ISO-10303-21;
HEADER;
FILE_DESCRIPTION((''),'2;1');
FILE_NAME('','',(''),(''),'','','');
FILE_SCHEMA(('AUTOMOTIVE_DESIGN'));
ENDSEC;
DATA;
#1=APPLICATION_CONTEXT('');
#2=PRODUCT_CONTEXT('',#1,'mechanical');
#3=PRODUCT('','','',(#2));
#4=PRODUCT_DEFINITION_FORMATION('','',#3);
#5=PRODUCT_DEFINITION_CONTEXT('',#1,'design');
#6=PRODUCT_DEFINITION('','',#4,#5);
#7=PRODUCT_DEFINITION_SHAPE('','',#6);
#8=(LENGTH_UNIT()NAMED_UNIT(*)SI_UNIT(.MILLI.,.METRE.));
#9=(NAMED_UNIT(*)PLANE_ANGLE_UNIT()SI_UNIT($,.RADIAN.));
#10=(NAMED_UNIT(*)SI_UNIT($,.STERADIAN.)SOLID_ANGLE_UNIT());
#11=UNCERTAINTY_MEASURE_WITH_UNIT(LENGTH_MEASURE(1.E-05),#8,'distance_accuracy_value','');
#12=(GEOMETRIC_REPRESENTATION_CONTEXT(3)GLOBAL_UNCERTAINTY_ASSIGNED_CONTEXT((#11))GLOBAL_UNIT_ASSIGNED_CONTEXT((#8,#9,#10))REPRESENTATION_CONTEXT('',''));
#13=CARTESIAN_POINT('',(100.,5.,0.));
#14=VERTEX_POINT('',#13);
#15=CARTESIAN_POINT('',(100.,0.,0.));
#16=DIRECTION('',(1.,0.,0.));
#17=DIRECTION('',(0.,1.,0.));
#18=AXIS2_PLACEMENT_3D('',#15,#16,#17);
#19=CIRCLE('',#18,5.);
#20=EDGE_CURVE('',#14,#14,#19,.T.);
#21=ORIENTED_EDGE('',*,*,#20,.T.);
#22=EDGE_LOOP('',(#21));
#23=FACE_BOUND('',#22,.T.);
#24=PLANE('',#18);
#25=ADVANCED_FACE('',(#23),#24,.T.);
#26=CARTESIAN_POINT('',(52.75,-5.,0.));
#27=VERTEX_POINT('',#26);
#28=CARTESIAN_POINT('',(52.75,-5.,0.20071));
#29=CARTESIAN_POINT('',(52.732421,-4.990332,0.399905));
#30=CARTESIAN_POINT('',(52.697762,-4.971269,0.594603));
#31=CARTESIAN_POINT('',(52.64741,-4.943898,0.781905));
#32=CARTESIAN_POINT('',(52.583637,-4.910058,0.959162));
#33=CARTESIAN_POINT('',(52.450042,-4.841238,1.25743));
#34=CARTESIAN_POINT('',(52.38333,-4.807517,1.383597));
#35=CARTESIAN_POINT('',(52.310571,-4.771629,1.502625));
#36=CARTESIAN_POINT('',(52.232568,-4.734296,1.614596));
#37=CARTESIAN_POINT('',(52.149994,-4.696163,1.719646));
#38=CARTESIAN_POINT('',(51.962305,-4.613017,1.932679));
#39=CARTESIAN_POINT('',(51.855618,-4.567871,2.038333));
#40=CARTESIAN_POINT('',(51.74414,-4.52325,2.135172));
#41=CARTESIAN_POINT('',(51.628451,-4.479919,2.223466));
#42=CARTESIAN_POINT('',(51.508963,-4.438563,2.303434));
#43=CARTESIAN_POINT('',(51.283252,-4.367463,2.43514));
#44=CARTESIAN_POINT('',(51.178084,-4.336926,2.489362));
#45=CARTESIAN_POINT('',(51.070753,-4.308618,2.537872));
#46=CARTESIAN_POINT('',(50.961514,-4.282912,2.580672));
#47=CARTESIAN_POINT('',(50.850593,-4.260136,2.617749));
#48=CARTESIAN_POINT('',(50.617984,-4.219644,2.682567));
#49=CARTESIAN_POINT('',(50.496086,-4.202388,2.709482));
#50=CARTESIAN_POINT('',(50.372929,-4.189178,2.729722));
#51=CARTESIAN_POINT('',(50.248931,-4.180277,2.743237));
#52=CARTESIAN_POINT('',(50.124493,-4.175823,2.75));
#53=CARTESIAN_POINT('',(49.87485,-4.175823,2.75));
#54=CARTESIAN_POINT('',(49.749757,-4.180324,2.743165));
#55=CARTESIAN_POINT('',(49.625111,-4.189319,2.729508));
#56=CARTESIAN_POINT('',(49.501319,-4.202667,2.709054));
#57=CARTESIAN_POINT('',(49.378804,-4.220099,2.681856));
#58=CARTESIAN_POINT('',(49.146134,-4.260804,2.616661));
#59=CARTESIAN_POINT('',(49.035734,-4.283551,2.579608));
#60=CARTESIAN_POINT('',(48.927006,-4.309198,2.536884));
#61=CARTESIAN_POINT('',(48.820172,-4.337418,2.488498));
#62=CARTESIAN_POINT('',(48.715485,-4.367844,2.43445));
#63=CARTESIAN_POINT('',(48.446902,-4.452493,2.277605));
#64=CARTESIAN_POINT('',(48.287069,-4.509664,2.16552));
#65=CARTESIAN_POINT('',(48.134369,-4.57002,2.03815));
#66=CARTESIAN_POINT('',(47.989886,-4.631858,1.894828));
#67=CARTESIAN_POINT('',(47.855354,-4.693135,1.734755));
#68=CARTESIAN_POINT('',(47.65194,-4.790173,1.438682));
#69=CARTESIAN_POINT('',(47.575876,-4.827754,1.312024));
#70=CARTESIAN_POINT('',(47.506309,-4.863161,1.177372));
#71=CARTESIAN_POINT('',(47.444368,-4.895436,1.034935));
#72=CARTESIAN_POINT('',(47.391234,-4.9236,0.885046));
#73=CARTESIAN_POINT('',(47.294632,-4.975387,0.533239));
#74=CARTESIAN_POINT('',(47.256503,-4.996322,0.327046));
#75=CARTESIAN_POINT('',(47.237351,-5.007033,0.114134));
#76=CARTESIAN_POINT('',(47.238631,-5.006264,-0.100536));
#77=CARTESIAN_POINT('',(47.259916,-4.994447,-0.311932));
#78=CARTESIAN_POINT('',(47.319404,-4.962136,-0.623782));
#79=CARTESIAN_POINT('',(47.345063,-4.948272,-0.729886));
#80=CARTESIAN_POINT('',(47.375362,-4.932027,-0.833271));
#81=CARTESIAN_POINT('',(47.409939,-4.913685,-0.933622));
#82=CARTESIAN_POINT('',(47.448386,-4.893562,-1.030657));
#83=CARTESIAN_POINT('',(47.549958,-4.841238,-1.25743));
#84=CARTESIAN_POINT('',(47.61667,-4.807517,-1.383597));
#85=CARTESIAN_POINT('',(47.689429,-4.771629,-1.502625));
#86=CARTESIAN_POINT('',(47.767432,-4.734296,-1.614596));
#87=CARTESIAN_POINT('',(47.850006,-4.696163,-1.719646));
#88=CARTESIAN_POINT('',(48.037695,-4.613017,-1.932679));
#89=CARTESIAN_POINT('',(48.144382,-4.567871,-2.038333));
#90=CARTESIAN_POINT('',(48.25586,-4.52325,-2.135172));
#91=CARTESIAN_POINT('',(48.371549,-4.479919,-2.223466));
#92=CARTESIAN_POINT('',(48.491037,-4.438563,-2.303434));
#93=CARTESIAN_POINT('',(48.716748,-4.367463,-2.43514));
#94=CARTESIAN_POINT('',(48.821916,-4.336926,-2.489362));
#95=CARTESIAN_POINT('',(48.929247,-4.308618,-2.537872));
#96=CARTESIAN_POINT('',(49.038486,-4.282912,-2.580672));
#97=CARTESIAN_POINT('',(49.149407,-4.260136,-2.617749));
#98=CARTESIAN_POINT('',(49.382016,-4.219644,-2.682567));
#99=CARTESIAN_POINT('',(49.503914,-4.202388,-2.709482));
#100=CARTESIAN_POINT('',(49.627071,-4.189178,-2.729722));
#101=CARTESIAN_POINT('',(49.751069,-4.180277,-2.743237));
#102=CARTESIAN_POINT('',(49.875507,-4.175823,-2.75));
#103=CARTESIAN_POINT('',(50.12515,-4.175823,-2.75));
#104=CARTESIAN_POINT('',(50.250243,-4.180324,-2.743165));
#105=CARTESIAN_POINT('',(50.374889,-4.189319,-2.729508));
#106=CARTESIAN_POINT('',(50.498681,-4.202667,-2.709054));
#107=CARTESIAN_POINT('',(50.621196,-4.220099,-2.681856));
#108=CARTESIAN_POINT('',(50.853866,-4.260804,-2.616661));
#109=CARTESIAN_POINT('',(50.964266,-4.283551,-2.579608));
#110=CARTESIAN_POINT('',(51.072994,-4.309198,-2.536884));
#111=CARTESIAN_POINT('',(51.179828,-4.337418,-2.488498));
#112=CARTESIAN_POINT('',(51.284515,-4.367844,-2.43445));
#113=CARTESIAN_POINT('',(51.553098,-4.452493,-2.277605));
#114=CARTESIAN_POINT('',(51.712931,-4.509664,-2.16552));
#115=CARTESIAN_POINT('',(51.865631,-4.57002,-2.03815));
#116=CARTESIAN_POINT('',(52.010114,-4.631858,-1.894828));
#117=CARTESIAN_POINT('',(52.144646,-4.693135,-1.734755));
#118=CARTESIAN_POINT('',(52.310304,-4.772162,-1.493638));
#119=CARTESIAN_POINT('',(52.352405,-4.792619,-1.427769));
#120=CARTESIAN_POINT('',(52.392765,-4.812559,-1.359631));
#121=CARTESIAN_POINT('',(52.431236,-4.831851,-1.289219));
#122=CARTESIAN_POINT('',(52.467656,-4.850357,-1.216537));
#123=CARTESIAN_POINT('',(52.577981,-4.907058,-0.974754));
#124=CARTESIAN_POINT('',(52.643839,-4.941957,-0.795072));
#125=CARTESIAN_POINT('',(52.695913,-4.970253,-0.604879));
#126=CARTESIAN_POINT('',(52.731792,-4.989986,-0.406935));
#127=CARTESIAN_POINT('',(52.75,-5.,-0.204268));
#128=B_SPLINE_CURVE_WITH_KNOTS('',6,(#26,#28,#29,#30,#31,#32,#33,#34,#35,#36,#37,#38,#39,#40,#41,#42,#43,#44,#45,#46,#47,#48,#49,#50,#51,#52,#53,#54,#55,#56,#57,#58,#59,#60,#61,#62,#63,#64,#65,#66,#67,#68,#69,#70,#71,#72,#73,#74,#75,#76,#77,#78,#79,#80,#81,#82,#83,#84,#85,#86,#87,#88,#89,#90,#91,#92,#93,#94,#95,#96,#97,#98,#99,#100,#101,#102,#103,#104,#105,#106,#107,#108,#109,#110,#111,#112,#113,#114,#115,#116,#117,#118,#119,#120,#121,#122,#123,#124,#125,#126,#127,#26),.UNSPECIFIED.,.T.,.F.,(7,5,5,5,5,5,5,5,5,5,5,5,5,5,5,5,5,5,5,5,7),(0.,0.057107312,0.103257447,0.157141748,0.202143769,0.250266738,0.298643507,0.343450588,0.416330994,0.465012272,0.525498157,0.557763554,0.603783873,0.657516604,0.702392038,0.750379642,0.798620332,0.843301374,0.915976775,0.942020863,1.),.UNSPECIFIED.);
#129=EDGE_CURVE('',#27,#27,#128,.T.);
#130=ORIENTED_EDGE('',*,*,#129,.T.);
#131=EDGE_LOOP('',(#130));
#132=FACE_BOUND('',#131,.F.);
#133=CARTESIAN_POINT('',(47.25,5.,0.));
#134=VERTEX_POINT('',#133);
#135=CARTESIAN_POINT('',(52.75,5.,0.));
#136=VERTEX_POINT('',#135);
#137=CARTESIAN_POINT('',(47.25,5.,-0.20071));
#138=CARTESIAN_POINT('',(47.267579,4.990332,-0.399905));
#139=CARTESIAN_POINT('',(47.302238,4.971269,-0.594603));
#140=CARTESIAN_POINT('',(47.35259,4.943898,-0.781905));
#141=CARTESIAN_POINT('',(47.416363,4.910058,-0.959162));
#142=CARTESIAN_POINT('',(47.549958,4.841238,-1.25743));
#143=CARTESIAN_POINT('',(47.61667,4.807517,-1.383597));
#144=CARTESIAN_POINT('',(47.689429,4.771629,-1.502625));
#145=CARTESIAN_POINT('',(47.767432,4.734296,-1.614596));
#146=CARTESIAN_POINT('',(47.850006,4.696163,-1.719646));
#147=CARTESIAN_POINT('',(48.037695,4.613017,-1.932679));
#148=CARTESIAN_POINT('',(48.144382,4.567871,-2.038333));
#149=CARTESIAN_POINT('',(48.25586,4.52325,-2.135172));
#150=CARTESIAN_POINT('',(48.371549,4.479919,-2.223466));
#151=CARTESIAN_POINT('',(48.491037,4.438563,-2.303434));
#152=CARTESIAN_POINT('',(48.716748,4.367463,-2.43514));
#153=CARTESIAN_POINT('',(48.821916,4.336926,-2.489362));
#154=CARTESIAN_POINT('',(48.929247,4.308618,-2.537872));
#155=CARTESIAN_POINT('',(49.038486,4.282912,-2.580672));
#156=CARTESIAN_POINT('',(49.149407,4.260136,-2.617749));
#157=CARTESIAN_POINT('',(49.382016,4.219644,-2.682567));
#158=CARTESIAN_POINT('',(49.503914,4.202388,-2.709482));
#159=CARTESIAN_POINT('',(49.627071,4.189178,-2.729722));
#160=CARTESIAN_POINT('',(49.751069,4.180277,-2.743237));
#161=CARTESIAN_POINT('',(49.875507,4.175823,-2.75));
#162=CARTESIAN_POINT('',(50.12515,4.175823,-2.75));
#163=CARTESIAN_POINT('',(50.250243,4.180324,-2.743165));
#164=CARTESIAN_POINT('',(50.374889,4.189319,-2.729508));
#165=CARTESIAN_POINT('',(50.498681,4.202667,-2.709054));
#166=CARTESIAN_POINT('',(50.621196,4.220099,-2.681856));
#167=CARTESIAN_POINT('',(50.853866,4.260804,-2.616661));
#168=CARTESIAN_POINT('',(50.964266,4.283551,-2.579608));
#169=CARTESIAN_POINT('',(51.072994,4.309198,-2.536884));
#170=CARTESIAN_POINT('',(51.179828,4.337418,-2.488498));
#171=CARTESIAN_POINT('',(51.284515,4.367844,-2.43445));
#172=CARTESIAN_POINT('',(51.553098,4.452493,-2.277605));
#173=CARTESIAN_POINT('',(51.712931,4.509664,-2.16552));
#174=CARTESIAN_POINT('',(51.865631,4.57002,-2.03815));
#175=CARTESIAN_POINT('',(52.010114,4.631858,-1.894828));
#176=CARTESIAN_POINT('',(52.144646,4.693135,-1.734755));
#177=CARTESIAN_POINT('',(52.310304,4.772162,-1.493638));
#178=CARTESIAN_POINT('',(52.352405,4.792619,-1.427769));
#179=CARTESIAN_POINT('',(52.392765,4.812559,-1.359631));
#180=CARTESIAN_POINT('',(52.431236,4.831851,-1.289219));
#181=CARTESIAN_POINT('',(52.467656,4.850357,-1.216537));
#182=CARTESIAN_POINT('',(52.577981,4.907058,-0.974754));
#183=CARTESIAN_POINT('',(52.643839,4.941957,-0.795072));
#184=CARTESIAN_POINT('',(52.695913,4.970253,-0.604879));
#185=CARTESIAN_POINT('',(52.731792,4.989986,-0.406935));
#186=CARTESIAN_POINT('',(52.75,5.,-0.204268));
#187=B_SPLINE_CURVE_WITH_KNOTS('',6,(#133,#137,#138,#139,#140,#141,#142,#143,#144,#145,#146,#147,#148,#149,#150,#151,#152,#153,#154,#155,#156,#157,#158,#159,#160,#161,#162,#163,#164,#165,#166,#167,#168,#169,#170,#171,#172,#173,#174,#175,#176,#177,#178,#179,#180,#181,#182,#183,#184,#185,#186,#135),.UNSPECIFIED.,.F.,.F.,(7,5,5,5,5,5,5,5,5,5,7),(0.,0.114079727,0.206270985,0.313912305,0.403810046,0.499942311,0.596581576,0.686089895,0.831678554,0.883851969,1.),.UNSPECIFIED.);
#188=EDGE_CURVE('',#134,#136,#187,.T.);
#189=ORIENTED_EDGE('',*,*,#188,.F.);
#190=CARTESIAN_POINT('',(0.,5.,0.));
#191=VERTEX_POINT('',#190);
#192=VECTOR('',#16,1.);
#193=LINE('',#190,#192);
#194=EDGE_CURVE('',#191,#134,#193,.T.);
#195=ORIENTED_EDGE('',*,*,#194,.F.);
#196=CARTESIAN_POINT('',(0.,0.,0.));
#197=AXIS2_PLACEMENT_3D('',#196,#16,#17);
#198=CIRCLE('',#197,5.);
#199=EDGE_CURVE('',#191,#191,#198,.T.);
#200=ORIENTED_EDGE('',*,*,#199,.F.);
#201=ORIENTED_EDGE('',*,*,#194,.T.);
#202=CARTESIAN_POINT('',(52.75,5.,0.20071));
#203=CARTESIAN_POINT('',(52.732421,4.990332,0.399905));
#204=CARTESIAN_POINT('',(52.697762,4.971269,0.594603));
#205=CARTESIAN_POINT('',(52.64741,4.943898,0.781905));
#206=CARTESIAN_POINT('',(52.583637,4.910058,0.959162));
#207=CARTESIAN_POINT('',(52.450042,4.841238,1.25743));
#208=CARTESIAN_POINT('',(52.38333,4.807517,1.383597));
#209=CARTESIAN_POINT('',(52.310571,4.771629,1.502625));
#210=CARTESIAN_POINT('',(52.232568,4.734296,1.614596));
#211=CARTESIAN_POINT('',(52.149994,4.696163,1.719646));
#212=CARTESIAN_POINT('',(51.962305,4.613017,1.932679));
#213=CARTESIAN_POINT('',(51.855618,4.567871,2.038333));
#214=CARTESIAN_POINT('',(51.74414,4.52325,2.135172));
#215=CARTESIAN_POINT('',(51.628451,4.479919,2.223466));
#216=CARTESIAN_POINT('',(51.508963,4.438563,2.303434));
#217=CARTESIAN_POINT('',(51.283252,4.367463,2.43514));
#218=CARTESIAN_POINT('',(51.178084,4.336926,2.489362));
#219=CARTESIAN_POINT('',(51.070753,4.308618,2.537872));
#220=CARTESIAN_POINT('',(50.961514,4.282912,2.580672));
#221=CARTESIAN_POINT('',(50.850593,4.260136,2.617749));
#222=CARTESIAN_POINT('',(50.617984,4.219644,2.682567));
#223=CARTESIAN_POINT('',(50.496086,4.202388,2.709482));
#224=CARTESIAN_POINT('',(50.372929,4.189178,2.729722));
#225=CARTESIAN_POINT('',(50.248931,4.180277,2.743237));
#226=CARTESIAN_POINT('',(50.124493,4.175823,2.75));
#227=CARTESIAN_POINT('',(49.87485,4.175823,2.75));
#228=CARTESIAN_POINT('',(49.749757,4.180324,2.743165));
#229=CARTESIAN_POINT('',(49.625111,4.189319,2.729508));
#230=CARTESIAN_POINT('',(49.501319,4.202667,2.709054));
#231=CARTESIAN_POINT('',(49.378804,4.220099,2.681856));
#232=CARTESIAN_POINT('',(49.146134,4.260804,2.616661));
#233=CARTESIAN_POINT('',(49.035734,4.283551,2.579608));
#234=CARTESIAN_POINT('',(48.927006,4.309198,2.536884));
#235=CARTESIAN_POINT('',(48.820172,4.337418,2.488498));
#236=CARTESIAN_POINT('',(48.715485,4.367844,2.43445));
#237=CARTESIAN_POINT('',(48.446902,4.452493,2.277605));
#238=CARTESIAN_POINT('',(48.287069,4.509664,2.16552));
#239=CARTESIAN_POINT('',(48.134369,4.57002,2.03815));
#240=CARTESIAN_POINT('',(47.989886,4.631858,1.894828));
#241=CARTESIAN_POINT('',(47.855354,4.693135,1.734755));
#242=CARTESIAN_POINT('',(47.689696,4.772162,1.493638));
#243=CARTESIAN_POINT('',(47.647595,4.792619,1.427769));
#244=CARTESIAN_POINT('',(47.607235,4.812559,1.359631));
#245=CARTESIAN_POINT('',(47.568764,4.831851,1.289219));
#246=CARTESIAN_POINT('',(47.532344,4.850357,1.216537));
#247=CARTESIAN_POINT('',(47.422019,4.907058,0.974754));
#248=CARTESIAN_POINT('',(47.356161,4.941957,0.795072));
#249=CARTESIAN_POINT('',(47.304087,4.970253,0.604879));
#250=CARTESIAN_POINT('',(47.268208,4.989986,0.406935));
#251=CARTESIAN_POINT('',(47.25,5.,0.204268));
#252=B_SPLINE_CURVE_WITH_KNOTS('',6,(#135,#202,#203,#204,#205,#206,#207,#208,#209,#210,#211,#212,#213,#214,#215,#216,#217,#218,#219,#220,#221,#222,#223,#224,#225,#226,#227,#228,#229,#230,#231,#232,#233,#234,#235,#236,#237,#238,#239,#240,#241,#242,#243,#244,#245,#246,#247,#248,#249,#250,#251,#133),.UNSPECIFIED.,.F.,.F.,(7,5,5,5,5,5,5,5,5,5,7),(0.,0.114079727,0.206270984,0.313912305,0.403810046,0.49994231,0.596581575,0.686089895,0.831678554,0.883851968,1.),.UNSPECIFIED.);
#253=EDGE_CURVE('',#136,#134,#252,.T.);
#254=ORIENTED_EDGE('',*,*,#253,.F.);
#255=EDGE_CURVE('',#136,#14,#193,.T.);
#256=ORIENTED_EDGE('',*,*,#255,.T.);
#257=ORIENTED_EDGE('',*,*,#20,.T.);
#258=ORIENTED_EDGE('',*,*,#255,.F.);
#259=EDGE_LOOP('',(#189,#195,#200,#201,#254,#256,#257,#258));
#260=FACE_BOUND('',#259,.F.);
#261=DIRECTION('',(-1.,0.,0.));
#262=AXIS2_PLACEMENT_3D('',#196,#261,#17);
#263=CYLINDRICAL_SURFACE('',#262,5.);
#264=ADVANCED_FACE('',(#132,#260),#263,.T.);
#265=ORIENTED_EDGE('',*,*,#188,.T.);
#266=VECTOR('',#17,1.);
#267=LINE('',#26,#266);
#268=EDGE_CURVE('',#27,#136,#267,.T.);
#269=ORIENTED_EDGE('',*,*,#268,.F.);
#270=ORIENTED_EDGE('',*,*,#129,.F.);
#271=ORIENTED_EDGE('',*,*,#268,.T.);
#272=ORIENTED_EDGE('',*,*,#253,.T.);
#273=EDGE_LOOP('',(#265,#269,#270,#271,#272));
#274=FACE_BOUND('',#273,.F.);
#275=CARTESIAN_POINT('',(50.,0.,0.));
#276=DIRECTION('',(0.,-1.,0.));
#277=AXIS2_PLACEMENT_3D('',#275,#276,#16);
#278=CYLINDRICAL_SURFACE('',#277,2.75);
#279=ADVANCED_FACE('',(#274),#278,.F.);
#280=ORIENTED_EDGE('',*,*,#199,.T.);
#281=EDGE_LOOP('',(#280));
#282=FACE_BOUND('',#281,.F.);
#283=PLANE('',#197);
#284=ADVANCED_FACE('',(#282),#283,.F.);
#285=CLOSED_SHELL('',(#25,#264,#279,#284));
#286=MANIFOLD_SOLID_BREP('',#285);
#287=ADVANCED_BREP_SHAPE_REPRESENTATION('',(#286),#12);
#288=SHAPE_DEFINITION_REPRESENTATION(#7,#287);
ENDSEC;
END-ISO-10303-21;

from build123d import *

# Parameters (mm, degrees)
F0_R          = 5
F1_DEPTH      = 100
F2_R          = 2.75
F3_DEPTH      = 5.001
F3_DEPTH_BACK = 25


with BuildPart() as f1:
    # F0 (on Right) → F1 (new body)
    with BuildSketch(Plane.YZ):
        Circle(F0_R)
    extrude(amount=F1_DEPTH)

    # F2 (on Front) → F3 (cut, two sides)
    with BuildSketch(Plane.XZ) as f3_sk:
        with Locations((50, 0)):
            Circle(F2_R)
    extrude(amount=-F3_DEPTH, mode=Mode.SUBTRACT)
    extrude(f3_sk.sketch, amount=F3_DEPTH_BACK, mode=Mode.SUBTRACT)


solid = f1.part
